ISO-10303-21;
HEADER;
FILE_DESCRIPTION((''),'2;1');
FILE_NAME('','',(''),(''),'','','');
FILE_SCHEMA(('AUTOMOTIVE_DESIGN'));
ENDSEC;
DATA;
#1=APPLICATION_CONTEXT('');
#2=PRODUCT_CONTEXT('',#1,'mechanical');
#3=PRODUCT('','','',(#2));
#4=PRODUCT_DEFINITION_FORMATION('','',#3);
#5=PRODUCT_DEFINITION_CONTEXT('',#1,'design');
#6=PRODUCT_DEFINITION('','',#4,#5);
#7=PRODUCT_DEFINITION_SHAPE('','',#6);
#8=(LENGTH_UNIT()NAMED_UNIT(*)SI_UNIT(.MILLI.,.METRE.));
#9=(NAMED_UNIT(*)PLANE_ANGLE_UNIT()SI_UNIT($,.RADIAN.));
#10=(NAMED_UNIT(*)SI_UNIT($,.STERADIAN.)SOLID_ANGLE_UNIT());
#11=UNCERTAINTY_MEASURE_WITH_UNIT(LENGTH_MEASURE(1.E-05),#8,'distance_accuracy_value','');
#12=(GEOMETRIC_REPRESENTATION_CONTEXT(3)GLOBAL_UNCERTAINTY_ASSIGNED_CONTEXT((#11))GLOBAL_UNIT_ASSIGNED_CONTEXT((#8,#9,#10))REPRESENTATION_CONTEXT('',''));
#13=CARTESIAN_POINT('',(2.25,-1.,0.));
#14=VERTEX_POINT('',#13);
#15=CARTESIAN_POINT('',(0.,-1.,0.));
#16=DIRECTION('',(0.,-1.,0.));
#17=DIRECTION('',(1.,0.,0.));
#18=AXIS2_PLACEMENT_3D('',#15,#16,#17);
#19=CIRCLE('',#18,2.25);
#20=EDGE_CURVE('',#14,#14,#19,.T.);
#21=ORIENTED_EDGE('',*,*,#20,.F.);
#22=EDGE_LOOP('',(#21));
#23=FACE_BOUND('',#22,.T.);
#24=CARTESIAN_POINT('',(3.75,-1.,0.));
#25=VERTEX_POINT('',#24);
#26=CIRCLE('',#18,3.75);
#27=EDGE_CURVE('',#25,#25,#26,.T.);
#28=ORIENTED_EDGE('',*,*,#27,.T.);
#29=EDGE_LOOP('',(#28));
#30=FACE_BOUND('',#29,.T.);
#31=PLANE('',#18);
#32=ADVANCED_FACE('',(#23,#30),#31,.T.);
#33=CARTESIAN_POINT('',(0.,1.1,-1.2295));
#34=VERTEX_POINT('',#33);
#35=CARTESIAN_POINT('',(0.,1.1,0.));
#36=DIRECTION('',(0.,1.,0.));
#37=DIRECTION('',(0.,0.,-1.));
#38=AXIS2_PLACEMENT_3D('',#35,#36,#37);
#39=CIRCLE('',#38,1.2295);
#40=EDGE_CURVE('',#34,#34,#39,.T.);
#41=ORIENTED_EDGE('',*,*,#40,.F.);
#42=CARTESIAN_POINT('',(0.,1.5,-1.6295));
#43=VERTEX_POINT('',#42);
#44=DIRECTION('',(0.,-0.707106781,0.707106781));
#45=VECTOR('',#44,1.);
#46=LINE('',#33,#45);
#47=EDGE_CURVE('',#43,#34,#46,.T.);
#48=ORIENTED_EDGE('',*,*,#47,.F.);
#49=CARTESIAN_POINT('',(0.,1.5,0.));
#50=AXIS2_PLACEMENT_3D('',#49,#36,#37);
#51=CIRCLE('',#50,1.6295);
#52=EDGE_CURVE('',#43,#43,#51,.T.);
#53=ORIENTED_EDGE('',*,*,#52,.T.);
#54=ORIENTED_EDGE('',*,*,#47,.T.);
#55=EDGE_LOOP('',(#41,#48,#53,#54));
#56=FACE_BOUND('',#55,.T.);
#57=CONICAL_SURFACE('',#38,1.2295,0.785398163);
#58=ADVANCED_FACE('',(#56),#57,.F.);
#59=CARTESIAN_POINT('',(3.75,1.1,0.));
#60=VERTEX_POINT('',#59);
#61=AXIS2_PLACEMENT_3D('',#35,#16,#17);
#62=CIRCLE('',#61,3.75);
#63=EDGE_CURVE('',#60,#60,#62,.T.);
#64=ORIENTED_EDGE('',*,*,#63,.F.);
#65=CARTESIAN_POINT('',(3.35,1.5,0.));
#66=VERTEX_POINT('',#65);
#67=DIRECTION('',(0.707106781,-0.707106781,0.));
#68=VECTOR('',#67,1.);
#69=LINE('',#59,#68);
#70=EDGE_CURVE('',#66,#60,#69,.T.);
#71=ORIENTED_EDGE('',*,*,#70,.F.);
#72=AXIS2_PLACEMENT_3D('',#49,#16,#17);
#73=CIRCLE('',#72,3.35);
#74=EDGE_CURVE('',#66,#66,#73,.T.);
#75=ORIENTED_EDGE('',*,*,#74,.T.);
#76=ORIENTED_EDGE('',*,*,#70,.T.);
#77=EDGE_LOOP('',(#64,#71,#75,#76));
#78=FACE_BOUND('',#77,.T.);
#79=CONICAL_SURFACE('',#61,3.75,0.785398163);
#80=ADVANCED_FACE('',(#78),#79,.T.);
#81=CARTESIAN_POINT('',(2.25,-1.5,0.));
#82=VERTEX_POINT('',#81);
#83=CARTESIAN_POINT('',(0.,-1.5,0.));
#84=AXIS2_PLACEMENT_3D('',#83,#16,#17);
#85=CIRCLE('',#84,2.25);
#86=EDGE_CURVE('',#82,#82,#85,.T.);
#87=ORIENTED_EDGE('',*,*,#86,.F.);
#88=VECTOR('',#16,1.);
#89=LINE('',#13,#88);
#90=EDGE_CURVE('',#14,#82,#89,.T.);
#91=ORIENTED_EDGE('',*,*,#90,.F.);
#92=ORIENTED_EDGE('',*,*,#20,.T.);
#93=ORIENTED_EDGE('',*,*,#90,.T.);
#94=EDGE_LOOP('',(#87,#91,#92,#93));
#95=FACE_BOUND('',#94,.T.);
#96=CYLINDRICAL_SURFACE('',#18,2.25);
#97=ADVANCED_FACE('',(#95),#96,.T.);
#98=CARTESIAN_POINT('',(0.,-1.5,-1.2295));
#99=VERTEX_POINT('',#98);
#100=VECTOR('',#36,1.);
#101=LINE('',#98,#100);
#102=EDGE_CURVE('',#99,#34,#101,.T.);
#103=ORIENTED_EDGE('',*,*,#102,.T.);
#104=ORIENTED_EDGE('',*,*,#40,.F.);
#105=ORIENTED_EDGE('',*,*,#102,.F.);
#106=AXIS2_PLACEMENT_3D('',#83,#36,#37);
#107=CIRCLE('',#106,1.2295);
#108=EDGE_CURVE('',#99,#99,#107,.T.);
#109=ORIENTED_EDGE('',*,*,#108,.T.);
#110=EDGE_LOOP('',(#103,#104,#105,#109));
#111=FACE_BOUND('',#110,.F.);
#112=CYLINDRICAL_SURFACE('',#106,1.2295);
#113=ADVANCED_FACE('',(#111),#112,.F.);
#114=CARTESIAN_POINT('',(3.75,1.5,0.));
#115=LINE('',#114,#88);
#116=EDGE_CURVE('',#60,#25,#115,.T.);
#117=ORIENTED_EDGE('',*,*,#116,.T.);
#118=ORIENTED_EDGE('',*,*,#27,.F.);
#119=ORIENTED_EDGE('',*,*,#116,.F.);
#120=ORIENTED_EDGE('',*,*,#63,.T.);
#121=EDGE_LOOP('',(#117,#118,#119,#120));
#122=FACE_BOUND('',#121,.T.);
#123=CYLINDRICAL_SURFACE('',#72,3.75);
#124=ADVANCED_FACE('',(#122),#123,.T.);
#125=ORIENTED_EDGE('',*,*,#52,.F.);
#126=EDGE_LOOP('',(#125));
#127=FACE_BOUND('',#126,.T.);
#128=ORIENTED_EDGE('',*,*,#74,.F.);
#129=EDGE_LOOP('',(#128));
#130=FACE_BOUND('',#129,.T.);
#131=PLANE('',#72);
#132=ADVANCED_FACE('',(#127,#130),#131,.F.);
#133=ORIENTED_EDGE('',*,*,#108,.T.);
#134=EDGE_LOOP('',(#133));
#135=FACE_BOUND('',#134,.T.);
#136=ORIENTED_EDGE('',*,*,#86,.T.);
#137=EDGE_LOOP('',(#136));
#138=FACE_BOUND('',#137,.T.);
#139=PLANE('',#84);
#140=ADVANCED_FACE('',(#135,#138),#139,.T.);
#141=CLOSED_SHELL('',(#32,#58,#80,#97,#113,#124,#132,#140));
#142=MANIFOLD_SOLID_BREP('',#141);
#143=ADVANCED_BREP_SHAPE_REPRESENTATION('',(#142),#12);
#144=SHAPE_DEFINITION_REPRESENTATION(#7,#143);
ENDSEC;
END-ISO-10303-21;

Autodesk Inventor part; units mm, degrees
ref_plane "YZ Plane" through (0, 0, 0) normal (1, 0, 0) x (0, 1, 0)
ref_plane "XZ Plane" through (0, 0, 0) normal (0, 1, 0) x (-1, 0, 0)
ref_plane "XY Plane" through (0, 0, 0) normal (0, 0, 1) x (1, 0, 0)
sketch "Sketch1" plane through (0, 0, 0) normal (0, 0, 1) x (1, 0, 0)
  line L0 (0, 1.5) -> (3.75, 1.5)
  line L1 (3.75, 1.5) -> (3.75, -1)
  line L2 (3.75, -1) -> (2.25, -1)
  line L3 (2.25, -1) -> (2.25, -1.5)
  line L4 (2.25, -1.5) -> (0, -1.5)
  line L5 (0, 1.5) -> (0, -1.5)
  point P0 (0, 0)
  point P1 (0, 0)
  dimension "d0" = 2.5
  dimension "d1" = 0.5
  dimension "d2" = 3.75
  dimension "d3" = 2.25
revolve "Revolution1" add sketch "Sketch1" angle 360 about axis through (0, 1.5, 0) along (0, -1, 0)
sketch "Sketch2" plane through (0, -1.5, 0) normal (0, -1, 0) x (1, 0, 0)
  point P0 (0, 0)
  point P1 (0, 0)
hole "Hole1" at (0, -1.5, 0) direction (0, 1, 0) diameter 2.459 end through all thread size "M3x0.5" class "6H" standard "ANSI Metric M Profile"
chamfer "Chamfer1" distance 0.4 angle 45 2 edges at (0, 1.5, 1.2295) (-3.75, 1.5, 0)
properties part number "RPS Basic M3 Weld Nut" material "Stainless Steel"
